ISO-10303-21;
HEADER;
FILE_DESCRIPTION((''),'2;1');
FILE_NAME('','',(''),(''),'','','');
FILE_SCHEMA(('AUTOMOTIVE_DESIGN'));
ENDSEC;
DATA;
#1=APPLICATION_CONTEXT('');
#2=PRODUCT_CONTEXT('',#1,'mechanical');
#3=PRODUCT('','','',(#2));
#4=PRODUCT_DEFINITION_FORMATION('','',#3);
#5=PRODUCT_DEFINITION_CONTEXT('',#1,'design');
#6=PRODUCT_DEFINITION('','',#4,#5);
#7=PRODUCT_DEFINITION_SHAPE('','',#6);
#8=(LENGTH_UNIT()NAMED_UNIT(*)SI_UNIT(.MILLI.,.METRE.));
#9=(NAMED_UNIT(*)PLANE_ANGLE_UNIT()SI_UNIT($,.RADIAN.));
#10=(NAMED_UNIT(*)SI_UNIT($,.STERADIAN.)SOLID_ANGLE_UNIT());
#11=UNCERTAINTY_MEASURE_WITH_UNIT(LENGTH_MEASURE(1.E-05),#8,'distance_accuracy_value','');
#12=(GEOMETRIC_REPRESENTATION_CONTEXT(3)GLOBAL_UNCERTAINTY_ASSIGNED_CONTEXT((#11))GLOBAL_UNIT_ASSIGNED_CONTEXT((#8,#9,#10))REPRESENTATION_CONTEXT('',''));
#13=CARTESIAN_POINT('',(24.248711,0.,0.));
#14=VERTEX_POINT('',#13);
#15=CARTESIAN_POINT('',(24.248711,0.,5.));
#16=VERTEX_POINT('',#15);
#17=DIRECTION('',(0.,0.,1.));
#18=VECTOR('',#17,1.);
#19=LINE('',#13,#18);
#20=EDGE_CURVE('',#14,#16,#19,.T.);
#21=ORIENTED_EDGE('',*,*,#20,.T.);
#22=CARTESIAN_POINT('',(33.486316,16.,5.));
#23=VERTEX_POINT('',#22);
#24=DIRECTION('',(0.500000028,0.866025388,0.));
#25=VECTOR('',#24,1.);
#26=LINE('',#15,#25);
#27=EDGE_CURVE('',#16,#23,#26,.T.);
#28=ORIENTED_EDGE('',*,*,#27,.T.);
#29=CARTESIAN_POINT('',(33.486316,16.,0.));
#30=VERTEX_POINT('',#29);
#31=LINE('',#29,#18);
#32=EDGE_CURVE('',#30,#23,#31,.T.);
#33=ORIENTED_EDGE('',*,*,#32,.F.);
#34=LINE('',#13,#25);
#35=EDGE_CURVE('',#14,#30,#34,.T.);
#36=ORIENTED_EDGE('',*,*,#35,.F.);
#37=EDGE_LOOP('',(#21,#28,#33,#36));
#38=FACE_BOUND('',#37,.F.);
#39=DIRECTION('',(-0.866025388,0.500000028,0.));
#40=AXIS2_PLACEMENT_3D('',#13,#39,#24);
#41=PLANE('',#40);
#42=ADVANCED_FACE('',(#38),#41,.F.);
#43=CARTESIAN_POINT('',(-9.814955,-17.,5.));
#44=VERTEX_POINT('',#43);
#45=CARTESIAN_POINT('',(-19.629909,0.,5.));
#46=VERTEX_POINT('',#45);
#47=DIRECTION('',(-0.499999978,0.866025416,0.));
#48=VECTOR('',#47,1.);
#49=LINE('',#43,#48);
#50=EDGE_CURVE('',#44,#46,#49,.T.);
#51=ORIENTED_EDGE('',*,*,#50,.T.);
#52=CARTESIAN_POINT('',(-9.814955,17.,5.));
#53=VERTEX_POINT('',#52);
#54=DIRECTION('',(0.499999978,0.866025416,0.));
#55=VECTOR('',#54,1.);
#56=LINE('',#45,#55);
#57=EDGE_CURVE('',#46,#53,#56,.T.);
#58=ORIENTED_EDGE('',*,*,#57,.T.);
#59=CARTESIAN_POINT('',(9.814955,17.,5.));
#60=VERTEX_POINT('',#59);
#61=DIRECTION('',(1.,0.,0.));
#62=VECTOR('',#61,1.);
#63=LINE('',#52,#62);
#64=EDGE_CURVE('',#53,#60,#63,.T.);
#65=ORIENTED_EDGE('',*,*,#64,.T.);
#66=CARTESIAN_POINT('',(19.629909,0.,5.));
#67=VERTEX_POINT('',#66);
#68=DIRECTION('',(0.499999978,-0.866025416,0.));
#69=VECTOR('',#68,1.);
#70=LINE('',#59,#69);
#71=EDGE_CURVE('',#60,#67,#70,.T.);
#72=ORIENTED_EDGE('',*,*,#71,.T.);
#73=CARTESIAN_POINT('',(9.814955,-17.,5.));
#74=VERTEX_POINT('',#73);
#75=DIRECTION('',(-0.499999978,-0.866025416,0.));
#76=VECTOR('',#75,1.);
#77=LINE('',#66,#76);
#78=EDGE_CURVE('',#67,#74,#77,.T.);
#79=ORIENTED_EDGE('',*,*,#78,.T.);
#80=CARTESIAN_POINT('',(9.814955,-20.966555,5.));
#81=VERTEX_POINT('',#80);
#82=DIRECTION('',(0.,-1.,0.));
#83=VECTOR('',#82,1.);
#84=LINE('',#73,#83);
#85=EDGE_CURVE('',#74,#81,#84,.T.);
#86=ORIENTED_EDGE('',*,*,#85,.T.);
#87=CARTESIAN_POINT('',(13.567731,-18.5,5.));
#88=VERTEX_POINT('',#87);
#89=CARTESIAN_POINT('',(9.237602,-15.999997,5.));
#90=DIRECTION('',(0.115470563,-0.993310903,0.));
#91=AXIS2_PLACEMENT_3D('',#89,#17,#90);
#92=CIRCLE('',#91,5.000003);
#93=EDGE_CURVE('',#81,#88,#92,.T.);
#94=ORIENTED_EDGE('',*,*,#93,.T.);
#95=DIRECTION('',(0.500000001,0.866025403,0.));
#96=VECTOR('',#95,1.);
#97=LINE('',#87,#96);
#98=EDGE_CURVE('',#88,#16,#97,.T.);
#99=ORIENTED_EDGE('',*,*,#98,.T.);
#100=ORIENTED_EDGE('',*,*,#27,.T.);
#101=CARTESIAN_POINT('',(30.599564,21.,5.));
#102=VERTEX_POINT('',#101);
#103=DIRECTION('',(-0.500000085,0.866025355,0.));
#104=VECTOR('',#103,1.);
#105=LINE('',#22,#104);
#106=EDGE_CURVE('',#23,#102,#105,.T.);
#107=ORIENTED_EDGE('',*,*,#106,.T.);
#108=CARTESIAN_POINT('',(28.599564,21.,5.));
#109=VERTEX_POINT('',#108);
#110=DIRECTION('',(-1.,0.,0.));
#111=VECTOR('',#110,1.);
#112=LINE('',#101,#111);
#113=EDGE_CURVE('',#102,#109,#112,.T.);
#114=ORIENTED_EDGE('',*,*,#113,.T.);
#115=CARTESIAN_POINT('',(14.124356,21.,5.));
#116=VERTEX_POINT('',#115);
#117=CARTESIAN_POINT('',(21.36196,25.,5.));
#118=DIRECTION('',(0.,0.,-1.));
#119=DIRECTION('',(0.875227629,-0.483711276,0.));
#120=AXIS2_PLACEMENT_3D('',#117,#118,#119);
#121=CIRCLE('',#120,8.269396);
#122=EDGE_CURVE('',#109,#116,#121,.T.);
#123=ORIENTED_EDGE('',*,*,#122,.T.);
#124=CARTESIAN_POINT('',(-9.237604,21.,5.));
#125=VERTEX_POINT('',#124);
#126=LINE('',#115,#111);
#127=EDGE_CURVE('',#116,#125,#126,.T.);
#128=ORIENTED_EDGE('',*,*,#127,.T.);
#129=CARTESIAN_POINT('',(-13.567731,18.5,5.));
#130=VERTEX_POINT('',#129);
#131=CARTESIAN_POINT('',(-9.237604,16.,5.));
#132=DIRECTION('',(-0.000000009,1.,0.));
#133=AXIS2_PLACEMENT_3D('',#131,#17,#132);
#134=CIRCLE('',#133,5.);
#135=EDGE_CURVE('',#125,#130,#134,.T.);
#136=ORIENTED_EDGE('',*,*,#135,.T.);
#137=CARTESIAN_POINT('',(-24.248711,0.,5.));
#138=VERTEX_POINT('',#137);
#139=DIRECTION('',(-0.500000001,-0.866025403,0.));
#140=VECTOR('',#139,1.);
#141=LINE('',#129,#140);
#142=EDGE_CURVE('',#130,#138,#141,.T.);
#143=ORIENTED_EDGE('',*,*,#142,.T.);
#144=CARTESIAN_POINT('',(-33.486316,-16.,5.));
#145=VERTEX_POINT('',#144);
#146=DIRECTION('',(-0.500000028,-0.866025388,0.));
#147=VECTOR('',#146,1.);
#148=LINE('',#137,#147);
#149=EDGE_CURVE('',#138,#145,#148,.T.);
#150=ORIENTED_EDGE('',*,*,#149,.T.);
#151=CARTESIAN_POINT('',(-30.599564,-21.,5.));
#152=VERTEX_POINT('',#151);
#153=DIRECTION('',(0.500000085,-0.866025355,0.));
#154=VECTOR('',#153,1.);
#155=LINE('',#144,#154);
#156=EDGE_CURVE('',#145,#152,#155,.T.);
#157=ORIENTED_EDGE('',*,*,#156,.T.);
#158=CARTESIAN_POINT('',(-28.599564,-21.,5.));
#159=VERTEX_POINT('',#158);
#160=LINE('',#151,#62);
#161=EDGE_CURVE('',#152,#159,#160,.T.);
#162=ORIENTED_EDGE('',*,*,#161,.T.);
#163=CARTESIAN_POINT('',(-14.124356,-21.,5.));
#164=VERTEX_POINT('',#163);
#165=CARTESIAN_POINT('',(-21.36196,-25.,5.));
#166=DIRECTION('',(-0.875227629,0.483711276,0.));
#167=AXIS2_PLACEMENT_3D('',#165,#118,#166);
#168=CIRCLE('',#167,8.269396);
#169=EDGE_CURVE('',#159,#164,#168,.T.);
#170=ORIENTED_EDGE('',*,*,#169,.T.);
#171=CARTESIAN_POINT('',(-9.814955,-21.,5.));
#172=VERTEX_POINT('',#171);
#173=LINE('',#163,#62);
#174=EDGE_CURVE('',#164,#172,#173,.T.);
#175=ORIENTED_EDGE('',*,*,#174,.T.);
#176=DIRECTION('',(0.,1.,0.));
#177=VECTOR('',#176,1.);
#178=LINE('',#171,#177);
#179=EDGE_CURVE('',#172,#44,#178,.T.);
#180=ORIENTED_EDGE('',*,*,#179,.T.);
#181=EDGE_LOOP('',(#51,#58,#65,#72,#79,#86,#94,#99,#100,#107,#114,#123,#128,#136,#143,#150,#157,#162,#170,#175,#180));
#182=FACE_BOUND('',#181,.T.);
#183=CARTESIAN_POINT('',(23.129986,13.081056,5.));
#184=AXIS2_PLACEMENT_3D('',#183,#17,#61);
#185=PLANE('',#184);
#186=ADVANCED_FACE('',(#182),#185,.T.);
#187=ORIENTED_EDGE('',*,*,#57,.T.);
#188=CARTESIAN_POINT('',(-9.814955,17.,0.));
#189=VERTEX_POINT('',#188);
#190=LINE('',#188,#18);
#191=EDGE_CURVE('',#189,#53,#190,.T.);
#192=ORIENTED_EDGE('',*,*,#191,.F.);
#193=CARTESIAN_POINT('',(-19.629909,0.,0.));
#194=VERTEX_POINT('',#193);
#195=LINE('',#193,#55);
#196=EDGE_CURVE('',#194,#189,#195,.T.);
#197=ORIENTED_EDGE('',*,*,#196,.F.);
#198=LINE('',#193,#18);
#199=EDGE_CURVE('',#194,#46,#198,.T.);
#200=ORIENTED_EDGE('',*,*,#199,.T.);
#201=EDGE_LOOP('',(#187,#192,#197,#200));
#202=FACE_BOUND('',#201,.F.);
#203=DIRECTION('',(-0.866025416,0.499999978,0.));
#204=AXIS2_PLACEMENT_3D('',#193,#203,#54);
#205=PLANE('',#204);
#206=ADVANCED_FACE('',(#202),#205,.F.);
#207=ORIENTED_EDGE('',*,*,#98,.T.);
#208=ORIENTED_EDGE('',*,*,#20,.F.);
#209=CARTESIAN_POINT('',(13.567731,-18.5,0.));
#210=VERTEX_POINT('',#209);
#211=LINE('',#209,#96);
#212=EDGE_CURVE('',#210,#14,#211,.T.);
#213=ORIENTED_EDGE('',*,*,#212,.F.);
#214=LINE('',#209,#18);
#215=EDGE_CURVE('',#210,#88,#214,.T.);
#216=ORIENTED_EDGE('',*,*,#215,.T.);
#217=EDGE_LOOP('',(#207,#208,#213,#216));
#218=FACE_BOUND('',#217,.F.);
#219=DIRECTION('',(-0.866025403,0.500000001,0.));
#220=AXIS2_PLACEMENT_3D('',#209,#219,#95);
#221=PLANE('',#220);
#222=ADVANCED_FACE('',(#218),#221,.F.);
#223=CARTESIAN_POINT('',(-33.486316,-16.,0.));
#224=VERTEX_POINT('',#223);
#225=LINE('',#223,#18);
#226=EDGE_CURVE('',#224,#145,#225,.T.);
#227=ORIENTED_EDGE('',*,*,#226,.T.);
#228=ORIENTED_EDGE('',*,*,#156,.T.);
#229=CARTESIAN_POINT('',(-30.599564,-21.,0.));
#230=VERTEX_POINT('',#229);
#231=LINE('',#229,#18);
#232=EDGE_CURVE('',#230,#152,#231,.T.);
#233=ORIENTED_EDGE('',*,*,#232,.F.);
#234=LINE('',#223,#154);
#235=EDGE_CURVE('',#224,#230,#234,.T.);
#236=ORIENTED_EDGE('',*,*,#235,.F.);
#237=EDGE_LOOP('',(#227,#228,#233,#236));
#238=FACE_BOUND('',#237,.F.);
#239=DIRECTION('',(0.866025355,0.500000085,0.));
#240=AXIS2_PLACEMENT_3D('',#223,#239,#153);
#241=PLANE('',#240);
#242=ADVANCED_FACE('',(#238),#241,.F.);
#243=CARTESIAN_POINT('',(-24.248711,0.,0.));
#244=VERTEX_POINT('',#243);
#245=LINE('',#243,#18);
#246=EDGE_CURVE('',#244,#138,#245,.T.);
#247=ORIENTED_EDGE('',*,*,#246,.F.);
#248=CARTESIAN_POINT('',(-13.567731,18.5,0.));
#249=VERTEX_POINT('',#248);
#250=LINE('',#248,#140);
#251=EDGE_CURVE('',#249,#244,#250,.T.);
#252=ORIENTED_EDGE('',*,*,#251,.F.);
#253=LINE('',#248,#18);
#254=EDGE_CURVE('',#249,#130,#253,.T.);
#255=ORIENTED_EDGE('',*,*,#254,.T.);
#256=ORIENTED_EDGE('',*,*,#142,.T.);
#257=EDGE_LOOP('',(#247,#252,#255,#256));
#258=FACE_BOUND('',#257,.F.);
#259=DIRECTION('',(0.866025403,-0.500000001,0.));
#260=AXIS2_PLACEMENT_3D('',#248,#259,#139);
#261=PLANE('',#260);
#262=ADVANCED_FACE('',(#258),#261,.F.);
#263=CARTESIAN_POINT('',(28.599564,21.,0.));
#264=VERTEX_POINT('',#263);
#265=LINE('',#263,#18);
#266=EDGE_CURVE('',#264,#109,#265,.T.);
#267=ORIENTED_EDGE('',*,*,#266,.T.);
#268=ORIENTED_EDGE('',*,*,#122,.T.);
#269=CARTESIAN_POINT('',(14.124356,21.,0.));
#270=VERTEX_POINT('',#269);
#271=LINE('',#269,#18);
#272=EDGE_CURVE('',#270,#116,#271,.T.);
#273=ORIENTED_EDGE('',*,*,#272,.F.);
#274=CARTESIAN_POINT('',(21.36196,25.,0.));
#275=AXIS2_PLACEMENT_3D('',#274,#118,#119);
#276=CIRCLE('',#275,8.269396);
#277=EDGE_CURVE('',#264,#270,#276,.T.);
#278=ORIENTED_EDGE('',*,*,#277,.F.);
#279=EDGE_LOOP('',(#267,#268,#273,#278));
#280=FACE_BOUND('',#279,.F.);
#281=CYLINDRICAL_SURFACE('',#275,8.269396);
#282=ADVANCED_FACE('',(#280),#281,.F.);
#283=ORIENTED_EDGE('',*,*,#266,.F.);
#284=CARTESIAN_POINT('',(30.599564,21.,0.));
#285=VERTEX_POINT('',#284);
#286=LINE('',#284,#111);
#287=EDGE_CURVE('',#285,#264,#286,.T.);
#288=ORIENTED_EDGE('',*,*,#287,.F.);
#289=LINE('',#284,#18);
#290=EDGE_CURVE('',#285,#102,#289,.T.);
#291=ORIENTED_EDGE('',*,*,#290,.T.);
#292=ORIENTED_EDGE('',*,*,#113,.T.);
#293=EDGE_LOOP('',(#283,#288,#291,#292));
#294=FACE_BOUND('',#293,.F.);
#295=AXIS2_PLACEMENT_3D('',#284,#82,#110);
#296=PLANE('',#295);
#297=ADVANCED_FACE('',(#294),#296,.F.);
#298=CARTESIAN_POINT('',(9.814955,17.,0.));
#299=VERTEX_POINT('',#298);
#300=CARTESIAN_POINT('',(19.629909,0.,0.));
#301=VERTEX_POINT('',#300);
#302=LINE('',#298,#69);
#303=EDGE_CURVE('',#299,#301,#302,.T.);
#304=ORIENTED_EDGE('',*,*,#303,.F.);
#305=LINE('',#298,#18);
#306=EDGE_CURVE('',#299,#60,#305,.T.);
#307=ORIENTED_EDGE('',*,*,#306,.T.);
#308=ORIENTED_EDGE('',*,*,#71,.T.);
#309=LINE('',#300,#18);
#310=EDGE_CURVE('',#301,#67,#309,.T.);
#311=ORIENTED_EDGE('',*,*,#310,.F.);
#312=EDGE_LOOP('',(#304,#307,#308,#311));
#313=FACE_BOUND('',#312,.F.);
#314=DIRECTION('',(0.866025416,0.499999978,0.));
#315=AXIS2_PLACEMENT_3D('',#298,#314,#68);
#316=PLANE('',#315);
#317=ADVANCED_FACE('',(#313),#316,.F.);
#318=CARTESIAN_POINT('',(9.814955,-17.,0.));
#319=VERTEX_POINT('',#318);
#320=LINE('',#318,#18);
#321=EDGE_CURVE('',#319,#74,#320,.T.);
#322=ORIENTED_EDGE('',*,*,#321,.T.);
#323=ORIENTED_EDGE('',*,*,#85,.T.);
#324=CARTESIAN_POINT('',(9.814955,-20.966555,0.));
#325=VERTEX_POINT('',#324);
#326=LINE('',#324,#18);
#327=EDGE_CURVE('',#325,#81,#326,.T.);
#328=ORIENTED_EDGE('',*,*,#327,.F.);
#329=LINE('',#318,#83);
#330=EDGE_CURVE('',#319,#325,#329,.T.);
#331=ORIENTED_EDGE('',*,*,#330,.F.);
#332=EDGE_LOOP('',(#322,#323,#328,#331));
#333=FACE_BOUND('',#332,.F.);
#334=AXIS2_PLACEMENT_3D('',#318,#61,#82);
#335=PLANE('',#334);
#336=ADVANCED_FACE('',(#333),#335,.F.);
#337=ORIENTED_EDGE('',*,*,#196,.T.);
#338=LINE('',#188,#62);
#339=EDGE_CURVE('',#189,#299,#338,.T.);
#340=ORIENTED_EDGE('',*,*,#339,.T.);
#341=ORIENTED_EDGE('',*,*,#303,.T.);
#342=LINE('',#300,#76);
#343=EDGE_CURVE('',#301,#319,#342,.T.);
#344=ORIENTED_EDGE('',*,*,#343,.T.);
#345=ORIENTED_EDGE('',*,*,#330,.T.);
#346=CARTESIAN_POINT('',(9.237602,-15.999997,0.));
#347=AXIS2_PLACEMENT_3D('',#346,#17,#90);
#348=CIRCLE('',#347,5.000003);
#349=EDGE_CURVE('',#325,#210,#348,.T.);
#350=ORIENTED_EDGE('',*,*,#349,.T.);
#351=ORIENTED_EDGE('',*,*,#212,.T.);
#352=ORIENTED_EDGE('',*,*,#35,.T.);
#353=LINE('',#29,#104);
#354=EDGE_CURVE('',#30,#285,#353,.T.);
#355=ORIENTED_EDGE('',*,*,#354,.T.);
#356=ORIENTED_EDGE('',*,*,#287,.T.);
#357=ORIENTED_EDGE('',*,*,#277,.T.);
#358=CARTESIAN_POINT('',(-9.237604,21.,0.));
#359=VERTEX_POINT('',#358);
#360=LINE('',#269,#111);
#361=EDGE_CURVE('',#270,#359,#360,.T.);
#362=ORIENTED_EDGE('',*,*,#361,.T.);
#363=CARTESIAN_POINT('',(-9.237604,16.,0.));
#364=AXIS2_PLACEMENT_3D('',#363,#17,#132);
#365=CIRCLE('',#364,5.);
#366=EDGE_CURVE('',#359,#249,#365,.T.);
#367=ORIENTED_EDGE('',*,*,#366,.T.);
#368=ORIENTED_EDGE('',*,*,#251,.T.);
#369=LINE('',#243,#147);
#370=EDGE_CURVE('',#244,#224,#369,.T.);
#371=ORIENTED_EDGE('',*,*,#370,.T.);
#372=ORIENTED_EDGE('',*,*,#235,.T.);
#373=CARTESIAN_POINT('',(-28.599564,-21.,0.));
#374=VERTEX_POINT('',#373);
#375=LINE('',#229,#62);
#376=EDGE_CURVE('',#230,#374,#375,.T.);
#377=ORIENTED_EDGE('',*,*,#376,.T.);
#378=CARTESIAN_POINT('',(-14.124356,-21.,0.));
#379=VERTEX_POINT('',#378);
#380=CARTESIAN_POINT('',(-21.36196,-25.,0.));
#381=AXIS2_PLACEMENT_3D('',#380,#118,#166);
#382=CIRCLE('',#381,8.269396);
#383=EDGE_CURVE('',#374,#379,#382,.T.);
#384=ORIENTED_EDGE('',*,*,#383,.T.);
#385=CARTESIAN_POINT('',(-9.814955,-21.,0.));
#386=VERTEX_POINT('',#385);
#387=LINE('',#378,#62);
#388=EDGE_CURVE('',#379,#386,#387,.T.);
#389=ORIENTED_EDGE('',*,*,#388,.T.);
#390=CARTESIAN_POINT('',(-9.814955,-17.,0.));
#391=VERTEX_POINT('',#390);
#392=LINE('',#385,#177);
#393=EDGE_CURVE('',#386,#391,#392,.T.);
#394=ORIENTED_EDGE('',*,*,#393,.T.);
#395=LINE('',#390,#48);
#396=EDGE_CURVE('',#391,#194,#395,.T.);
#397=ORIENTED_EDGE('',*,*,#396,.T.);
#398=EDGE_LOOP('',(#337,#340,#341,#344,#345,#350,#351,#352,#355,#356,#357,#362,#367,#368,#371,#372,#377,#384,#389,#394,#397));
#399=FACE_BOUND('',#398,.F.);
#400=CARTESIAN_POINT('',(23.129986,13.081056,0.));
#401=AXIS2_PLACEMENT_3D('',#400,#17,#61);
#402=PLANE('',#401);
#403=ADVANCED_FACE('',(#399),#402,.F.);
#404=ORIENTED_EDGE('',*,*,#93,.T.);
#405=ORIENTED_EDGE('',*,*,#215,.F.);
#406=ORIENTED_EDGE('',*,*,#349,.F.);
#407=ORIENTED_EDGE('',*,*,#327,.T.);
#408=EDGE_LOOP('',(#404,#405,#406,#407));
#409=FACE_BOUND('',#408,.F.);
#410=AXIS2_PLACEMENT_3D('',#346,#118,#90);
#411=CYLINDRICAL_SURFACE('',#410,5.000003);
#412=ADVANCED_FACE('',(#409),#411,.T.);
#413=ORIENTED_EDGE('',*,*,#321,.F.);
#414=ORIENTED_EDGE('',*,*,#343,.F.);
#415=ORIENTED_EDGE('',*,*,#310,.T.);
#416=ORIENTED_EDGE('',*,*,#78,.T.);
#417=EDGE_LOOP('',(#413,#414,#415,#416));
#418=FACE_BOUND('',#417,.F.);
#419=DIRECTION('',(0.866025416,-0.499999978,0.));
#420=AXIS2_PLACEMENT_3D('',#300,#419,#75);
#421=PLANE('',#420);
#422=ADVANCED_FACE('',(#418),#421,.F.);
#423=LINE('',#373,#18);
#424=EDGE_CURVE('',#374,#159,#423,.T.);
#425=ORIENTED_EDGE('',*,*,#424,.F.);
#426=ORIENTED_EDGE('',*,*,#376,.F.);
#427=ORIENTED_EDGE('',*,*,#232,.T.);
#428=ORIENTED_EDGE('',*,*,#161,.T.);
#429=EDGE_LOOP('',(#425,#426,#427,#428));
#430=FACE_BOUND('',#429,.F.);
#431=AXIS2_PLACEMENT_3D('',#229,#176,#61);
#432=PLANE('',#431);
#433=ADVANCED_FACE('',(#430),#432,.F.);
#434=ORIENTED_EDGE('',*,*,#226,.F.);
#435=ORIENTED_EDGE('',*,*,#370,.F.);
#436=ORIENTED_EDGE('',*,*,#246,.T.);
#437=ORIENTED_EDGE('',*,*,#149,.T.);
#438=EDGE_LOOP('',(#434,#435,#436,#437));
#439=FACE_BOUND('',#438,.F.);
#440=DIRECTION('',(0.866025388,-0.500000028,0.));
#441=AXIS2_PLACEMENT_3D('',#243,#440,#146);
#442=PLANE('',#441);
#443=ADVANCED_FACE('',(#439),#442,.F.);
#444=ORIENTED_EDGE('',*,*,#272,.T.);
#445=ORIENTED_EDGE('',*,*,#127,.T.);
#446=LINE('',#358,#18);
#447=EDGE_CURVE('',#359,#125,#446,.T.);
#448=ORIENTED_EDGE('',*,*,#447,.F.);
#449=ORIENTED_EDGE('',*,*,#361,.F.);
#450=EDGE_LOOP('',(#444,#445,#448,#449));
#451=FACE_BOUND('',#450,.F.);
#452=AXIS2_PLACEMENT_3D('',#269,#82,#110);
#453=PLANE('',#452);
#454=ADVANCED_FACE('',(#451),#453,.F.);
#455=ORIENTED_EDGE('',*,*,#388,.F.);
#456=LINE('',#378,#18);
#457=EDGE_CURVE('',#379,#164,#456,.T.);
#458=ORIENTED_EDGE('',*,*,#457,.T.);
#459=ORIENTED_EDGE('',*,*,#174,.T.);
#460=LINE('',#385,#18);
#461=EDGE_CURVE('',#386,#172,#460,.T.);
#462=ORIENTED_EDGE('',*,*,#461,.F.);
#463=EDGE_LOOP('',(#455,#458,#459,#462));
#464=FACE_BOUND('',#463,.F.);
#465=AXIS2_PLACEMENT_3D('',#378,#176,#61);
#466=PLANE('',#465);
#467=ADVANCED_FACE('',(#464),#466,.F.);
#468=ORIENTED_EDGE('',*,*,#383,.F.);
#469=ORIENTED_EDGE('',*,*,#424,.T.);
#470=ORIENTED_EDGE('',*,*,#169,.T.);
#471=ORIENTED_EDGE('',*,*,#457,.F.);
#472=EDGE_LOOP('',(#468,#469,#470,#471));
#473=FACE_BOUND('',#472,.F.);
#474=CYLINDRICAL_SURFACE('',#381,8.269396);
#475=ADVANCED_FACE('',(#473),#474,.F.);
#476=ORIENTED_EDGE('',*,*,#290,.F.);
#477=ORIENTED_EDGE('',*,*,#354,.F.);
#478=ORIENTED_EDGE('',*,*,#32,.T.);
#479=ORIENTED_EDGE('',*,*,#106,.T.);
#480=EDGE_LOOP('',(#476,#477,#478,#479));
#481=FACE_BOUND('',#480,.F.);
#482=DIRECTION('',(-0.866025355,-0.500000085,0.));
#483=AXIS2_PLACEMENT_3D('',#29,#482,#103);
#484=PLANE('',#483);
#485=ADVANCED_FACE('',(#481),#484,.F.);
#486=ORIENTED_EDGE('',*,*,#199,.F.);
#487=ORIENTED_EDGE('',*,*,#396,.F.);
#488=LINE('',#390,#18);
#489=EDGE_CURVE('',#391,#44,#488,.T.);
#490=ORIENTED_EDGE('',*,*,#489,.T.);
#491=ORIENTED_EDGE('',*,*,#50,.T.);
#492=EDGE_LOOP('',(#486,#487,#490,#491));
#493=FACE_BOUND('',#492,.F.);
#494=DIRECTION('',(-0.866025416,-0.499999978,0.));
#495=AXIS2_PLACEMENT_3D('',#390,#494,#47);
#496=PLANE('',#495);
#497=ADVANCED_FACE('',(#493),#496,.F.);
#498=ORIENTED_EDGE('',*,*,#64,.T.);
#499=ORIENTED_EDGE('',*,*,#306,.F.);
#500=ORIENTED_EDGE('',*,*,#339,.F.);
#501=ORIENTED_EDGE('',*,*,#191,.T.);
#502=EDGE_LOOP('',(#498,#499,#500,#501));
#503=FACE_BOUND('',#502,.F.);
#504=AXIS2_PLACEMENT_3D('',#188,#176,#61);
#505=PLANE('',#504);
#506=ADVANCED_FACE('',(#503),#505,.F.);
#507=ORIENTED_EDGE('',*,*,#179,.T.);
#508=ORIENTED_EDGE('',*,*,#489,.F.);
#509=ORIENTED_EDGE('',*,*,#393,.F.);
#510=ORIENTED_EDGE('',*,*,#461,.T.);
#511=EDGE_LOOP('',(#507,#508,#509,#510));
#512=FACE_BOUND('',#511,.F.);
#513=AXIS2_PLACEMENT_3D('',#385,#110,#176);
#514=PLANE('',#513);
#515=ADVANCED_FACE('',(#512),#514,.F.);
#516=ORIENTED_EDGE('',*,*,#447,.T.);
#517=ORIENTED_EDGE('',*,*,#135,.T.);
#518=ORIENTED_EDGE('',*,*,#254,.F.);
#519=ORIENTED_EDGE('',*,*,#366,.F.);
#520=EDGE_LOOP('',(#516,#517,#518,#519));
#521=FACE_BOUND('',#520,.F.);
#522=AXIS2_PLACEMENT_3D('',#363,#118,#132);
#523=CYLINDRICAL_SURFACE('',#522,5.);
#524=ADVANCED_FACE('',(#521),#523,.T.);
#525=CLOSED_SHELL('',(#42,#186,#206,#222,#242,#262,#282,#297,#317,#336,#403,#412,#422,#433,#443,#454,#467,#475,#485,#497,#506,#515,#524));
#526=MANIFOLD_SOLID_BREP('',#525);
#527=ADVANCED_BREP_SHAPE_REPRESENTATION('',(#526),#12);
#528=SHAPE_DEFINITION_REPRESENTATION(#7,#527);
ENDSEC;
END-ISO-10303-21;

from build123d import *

# Parameters (mm, degrees)
F1_DEPTH = 5


with BuildPart() as f1:
    # F0 (on Top) → F1 (new body)
    with BuildSketch(Plane.XY):
        with BuildLine():
            Line((12.124356, 21), (24.248711, 0))
            Line((24.248711, 0), (33.486316, 16))
            Line((33.486316, 16), (30.599564, 21))
            Line((30.599564, 21), (28.599564, 21))
            ThreePointArc((28.599564, 21), (21.36196, 16.730604), (14.124356, 21))
            Line((14.124356, 21), (12.124356, 21))
        make_face()
        with BuildLine():
            Line((-9.814955, -17), (-19.629909, 0))
            Line((-19.629909, 0), (-9.814955, 17))
            Line((-9.814955, 17), (9.814955, 17))
            Line((9.814955, 17), (19.629909, 0))
            Line((19.629909, 0), (9.814955, -17))
            Line((9.814955, -17), (9.814955, -20.966555))
            ThreePointArc((9.814955, -20.966555), (11.983839, -20.1783), (13.567731, -18.5))
            Line((13.567731, -18.5), (24.248711, 0))
            Line((24.248711, 0), (12.124356, 21))
            Line((12.124356, 21), (-9.237604, 21))
            ThreePointArc((-9.237604, 21), (-11.737604, 20.330127), (-13.567731, 18.5))
            Line((-13.567731, 18.5), (-24.248711, 0))
            Line((-24.248711, 0), (-12.124356, -21))
            Line((-12.124356, -21), (-9.814955, -21))
            Line((-9.814955, -21), (-9.814955, -17))
        make_face()
        with BuildLine():
            Line((-14.124356, -21), (-12.124356, -21))
            Line((-12.124356, -21), (-24.248711, 0))
            Line((-24.248711, 0), (-33.486316, -16))
            Line((-33.486316, -16), (-30.599564, -21))
            Line((-30.599564, -21), (-28.599564, -21))
            ThreePointArc((-28.599564, -21), (-21.36196, -16.730604), (-14.124356, -21))
        make_face()
    extrude(amount=F1_DEPTH)


solid = f1.part
